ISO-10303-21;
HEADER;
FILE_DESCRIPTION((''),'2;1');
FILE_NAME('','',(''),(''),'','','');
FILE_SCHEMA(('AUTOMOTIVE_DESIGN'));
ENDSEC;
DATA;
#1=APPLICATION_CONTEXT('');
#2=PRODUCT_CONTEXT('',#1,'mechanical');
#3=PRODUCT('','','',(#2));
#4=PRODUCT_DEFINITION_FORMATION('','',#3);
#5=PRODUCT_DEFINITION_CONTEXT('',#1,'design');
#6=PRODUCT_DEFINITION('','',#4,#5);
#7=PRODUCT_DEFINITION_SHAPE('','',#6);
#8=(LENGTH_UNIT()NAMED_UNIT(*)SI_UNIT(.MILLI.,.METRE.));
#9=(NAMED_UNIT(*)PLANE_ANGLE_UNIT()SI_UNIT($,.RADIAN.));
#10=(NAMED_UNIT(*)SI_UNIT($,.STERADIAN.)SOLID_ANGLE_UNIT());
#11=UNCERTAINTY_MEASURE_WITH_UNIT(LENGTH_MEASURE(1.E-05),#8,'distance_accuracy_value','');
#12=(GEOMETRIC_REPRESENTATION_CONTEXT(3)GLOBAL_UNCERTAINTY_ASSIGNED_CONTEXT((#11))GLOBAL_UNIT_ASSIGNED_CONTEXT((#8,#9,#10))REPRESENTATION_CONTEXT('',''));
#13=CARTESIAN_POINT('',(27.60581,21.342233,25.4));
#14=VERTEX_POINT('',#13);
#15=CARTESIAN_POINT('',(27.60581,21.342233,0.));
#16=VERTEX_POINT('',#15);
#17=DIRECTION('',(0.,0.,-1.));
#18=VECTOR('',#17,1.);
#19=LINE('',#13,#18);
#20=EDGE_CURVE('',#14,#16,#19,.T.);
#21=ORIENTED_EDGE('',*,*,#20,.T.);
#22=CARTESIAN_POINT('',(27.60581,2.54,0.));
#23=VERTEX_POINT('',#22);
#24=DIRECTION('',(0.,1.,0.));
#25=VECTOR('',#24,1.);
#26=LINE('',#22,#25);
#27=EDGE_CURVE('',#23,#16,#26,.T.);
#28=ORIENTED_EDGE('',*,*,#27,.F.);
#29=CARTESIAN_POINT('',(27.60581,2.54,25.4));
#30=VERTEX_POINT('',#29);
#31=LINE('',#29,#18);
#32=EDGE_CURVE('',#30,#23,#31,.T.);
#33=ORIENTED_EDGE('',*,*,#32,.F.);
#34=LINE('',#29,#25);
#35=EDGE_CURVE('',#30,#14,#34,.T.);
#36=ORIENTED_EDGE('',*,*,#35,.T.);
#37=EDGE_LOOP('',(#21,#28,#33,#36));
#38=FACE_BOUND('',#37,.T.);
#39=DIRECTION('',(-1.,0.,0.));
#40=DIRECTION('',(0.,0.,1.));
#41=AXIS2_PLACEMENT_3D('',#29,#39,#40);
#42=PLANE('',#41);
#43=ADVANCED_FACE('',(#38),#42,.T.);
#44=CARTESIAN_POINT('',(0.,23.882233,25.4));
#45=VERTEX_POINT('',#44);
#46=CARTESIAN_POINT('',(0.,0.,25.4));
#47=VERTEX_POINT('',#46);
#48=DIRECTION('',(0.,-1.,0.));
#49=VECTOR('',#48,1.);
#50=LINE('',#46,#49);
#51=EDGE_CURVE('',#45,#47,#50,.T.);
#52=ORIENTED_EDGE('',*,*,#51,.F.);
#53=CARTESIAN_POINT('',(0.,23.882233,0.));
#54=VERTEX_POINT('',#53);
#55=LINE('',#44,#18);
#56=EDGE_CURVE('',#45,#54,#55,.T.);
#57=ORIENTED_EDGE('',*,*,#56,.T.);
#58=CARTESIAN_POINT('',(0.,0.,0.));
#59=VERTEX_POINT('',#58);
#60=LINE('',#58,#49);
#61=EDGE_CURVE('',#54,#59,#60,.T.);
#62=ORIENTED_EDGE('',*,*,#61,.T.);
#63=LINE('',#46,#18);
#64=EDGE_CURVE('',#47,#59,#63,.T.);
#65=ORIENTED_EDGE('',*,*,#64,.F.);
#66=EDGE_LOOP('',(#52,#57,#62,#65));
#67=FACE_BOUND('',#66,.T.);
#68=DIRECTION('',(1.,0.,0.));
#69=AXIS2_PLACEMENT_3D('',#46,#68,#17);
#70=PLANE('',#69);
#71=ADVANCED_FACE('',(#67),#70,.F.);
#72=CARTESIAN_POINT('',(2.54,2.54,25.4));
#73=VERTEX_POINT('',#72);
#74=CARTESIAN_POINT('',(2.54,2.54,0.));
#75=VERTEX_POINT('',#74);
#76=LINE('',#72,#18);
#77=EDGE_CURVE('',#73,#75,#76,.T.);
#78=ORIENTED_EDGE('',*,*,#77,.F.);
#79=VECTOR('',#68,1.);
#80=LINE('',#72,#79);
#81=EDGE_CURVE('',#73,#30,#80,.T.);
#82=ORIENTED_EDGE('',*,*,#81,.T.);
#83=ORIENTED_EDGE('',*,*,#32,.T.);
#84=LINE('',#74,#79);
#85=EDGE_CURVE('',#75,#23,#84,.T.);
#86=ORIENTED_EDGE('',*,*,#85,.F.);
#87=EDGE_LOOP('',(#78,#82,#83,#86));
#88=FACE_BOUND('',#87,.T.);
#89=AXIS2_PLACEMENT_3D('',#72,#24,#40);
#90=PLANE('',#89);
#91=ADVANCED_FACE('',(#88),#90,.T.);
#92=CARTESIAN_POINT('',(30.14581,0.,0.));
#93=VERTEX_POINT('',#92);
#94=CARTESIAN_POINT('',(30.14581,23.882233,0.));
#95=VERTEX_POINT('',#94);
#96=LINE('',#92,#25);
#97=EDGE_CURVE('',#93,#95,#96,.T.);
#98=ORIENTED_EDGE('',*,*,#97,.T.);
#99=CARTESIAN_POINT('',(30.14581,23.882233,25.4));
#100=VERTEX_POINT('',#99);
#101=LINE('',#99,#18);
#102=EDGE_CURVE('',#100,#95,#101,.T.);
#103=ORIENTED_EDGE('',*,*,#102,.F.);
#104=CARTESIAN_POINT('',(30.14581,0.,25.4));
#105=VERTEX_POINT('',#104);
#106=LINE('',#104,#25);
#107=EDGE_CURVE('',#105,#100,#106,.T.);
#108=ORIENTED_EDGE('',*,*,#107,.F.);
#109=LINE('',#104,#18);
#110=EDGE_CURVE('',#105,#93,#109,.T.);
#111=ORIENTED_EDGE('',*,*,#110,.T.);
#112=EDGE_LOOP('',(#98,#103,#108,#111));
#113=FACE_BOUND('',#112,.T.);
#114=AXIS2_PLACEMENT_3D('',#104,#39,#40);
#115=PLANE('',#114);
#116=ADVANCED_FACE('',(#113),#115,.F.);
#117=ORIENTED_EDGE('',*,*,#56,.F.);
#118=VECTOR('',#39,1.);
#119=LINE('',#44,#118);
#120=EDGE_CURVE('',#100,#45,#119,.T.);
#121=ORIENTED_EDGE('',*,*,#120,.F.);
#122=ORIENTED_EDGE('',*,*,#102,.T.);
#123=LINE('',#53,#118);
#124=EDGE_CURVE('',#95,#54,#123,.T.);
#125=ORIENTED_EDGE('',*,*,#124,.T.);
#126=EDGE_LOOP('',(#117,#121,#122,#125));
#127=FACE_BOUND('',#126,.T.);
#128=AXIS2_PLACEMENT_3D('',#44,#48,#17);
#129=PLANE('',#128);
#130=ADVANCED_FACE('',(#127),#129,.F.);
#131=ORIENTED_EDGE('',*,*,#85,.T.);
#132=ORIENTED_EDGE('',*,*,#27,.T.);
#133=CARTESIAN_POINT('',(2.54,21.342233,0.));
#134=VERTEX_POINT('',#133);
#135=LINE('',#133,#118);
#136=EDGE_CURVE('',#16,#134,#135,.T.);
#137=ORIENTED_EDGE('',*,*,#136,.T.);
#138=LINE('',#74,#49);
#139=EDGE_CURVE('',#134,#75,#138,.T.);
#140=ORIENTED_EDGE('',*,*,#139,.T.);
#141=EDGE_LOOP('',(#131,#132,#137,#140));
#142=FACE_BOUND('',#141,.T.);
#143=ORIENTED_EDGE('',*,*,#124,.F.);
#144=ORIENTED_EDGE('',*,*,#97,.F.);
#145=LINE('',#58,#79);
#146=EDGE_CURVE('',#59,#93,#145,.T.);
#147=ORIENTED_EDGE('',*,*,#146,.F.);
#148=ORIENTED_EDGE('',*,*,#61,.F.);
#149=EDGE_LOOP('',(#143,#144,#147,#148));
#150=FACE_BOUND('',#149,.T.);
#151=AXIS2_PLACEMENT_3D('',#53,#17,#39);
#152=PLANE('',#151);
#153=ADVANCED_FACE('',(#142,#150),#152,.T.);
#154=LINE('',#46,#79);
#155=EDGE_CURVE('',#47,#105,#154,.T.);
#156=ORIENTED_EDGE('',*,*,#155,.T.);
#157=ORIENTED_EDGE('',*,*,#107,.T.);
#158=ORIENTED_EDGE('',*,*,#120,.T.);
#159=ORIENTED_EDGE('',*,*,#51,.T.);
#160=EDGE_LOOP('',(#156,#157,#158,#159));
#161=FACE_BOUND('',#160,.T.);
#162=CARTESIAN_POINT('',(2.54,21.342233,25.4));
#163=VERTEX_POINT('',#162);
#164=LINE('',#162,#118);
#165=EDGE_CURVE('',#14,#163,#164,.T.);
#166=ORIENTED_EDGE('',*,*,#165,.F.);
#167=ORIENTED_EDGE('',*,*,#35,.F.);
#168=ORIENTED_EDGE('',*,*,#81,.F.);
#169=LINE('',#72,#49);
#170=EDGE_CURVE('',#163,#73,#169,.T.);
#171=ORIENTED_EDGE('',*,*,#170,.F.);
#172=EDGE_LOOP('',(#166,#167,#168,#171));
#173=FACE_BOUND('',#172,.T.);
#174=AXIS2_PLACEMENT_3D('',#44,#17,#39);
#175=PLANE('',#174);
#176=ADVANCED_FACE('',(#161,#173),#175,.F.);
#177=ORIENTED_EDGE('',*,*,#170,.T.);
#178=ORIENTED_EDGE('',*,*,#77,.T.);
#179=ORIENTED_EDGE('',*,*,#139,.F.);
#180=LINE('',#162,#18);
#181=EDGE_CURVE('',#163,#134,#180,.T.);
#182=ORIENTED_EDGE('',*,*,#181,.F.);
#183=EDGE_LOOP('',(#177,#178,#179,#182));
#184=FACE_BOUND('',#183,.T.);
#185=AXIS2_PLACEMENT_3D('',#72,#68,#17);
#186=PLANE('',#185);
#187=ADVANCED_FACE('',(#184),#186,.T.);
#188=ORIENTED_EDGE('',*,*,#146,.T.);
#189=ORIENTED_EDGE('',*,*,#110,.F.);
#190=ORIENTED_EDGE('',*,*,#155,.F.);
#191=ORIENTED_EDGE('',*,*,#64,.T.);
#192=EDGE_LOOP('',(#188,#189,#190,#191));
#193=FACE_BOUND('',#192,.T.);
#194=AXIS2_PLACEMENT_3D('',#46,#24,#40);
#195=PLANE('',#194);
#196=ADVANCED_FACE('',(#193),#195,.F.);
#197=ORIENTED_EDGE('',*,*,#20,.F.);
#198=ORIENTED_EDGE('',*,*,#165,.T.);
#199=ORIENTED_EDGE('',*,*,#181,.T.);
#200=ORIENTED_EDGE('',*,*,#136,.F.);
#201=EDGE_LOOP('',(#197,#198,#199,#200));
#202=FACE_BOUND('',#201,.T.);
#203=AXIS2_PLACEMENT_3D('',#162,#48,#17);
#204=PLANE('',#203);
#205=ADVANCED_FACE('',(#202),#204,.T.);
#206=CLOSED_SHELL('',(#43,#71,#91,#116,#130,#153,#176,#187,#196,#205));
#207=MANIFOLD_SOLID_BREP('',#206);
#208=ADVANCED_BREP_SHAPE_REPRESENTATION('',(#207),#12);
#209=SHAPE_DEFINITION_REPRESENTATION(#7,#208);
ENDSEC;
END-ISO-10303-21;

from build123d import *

# Parameters (mm, degrees)
SKETCH2_W           = 30.14581014
SKETCH2_H           = 23.882232645
SKETCH2_W_2         = 25.06581014
SKETCH2_H_2         = 18.802232645
BOSS_EXTRUDE1_DEPTH = 25.4


with BuildPart() as part:
    # Sketch2 → Boss-Extrude1 (new body)
    with BuildSketch(Plane.XY):
        with Locations((15.07290507, 11.941116323)):
            Rectangle(SKETCH2_W, SKETCH2_H)
        with Locations((15.07290507, 11.941116323)):
            Rectangle(SKETCH2_W_2, SKETCH2_H_2, mode=Mode.SUBTRACT)
    extrude(amount=BOSS_EXTRUDE1_DEPTH)


solid = part.part
